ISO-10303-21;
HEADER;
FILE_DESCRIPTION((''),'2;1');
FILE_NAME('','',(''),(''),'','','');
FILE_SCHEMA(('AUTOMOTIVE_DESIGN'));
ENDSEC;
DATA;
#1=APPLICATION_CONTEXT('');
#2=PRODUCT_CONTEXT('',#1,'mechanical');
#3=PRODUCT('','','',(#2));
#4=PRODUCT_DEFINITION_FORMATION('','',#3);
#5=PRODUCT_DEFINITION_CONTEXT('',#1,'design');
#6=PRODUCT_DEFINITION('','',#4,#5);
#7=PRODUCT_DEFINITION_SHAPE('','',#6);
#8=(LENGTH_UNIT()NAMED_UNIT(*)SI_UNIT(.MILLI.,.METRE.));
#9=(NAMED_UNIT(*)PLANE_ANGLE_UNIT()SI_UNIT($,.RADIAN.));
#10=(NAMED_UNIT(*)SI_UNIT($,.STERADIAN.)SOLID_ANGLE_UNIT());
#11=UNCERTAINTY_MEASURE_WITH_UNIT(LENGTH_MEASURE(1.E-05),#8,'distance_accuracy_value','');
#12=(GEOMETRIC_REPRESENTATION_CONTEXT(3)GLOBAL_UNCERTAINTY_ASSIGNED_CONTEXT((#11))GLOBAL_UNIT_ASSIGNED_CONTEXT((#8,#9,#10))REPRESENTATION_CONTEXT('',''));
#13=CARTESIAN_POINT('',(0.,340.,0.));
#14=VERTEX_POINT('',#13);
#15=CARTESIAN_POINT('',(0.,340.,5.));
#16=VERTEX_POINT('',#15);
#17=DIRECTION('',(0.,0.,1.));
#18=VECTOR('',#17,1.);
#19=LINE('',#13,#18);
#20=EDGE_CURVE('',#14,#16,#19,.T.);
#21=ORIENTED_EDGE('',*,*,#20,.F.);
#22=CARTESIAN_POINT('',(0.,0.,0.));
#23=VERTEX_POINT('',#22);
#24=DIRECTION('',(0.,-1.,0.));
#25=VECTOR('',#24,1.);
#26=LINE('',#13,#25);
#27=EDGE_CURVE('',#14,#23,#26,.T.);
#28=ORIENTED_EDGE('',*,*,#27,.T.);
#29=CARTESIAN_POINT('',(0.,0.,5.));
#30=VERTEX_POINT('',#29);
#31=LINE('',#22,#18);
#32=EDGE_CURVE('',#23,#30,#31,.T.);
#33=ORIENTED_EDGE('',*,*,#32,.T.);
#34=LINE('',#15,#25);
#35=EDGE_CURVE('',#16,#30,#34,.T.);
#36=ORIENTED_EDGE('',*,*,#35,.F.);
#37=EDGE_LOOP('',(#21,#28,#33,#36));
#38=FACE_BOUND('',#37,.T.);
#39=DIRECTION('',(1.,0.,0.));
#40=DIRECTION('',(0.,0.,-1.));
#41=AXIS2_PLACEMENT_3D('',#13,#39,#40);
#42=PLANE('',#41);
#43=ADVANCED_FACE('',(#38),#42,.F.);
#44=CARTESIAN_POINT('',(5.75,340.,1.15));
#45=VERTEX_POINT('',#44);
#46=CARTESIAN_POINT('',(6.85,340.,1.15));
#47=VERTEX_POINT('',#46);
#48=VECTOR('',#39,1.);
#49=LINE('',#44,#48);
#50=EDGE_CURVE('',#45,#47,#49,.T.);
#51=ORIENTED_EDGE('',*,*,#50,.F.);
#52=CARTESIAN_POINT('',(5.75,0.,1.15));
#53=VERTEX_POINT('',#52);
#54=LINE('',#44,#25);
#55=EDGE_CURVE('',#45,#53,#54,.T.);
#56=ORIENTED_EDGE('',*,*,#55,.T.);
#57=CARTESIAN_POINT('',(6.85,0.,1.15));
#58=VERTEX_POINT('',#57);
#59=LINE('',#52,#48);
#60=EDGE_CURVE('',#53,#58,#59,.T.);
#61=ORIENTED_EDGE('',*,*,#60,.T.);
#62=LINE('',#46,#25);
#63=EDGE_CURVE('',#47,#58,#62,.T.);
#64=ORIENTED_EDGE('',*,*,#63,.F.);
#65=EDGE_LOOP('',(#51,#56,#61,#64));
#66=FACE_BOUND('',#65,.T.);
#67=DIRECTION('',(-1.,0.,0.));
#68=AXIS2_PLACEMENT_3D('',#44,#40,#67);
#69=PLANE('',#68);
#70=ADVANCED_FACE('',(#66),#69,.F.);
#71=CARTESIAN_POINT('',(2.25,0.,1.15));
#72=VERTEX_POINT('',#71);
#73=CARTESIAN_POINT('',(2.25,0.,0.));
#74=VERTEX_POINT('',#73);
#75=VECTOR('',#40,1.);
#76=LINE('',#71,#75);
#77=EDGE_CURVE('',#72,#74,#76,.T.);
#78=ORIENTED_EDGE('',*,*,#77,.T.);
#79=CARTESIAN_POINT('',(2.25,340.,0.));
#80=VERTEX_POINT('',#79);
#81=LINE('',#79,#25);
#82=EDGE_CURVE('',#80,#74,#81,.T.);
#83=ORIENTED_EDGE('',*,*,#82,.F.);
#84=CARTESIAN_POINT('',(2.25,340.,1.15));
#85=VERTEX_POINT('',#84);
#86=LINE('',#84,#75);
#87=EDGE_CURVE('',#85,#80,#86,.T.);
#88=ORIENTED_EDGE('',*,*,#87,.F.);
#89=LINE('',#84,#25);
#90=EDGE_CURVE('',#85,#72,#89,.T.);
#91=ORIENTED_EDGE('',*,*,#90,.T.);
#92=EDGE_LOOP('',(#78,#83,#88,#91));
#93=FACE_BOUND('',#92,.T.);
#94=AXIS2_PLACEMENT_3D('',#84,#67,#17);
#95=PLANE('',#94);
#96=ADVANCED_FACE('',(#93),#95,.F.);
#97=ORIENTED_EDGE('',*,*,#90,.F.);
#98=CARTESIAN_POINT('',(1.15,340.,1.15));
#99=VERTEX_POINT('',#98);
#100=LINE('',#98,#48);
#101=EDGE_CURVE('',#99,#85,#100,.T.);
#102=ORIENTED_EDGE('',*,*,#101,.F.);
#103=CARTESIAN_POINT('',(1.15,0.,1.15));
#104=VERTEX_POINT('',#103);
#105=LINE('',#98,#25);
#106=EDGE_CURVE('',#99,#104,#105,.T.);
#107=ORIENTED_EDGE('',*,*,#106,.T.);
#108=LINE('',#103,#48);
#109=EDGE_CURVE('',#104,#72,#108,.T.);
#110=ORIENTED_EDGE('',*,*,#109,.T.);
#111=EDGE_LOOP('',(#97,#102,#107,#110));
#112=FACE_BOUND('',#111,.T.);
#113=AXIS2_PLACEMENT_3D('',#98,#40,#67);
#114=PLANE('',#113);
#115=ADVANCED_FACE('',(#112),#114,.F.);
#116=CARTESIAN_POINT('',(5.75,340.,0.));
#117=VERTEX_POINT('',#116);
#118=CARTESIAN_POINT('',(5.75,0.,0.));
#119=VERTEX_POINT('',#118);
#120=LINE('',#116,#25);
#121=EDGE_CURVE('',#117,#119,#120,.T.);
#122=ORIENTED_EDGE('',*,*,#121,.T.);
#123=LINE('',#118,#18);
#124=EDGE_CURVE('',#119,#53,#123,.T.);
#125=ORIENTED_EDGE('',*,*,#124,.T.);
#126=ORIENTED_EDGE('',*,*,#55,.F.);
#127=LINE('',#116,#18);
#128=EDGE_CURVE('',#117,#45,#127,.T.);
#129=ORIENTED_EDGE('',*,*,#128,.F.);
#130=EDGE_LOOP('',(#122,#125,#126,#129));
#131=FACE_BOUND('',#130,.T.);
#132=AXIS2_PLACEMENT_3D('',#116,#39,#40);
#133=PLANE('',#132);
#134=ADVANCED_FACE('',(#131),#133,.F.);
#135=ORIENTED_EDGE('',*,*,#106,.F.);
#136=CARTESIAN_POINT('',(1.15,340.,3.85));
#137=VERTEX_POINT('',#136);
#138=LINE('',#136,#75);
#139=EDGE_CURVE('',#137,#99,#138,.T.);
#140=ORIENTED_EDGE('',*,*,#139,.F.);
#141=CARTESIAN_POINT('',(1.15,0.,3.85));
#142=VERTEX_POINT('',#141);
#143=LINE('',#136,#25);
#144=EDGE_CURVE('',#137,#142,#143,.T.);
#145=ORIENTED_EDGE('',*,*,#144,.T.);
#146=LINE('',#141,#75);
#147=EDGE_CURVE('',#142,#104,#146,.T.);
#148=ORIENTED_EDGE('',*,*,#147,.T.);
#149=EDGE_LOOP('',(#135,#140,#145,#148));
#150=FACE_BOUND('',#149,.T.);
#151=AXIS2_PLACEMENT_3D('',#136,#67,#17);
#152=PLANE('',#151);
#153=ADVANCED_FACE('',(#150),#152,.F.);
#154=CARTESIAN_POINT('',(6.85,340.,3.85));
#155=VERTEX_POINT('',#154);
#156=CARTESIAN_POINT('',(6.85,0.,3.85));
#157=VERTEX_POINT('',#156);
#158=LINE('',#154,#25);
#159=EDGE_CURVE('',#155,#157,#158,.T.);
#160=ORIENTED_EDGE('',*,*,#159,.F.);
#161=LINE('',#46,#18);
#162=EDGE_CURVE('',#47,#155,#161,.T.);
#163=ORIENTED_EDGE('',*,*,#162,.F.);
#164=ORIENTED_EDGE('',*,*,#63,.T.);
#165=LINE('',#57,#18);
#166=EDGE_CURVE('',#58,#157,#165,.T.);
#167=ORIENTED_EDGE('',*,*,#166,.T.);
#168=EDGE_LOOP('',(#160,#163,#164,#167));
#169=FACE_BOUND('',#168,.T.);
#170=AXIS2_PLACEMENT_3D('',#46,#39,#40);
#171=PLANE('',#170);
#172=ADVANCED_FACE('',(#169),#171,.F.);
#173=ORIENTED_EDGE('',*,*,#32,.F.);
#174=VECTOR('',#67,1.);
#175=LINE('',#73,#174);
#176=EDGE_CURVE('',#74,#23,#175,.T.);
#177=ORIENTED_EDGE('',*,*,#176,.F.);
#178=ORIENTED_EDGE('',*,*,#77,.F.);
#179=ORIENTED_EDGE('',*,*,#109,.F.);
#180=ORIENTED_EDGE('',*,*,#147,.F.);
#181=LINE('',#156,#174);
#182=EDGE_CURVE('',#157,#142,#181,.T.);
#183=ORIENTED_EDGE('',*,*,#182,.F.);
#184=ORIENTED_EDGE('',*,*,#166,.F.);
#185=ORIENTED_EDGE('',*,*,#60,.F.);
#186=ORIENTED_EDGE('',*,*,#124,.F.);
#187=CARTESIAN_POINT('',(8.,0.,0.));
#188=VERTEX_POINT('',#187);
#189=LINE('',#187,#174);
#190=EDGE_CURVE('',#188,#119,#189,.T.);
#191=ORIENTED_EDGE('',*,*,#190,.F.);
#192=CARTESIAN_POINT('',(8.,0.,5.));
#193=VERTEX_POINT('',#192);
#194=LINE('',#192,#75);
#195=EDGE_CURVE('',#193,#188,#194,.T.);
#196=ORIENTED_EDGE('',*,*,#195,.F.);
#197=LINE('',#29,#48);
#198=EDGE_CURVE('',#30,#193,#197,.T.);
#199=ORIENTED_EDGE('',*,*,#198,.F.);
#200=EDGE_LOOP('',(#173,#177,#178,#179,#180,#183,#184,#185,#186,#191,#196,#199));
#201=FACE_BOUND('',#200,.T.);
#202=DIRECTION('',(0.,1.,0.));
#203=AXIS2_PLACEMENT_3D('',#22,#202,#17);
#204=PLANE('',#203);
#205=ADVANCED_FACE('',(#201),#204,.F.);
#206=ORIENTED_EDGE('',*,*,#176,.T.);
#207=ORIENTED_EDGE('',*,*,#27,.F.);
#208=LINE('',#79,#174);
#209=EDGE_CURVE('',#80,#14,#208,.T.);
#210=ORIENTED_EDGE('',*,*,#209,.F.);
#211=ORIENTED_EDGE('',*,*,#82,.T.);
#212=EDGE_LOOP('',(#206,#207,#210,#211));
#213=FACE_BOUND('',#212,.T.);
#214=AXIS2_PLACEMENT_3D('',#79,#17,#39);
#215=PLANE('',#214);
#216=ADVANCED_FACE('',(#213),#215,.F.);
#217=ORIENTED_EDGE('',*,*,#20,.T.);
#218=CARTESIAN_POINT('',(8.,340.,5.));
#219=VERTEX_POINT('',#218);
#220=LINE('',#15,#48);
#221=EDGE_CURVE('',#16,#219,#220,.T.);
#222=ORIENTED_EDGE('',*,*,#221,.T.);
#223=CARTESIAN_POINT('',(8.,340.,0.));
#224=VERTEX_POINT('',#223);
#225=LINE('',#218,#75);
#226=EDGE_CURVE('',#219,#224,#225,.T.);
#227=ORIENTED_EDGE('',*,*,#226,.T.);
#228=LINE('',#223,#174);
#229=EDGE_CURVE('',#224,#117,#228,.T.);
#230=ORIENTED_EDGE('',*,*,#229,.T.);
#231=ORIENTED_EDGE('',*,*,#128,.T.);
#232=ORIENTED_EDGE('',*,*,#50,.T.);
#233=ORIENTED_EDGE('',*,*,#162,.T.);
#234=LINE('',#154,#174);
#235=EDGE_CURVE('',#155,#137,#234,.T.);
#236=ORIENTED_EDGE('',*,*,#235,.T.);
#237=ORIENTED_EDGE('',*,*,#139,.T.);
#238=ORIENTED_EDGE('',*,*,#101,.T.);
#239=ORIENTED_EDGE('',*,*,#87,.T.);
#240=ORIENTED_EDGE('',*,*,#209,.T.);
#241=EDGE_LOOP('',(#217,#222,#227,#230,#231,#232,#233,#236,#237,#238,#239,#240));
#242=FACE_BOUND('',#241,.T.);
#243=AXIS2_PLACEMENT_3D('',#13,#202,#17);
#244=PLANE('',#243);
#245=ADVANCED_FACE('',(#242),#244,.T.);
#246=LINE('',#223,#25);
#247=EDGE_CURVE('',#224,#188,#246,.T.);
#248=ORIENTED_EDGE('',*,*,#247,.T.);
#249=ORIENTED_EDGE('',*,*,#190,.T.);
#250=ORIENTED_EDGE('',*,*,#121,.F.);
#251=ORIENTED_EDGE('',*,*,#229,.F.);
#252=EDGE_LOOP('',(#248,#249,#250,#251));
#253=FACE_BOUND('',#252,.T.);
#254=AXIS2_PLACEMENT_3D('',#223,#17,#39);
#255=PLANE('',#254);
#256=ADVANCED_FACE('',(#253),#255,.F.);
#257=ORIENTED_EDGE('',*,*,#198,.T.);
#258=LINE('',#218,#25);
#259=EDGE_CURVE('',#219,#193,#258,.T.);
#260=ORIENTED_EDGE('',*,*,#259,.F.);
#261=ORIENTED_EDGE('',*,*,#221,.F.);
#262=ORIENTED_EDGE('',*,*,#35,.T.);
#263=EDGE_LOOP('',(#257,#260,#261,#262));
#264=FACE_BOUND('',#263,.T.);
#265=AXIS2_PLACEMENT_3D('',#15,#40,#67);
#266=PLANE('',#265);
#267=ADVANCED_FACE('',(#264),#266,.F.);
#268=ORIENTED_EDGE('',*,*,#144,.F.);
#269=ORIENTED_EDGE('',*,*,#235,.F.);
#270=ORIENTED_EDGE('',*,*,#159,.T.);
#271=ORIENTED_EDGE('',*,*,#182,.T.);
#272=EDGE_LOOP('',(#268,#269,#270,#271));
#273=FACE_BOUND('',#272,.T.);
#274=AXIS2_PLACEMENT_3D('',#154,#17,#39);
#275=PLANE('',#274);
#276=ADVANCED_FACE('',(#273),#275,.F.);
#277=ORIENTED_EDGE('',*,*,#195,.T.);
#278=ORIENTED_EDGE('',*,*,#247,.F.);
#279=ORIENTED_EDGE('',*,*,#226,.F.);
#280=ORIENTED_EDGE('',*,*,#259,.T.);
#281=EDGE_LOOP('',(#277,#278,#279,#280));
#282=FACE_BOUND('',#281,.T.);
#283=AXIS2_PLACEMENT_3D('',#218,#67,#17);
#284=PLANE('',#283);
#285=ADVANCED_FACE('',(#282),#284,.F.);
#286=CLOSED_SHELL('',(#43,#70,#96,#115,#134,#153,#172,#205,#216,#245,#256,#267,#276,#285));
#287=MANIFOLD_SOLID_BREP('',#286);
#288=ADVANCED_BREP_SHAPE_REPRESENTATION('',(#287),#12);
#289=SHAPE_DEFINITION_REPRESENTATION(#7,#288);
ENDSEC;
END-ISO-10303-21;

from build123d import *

# Parameters (mm, degrees)
EXTRUDE_1_DEPTH = 340


with BuildPart() as part:
    # 草图1 → 凸台-拉伸1 (new body)
    with BuildSketch(Plane(origin=(0, 0, 0), x_dir=(1, 0, 0), z_dir=(0, 1, 0))):
        Polygon((0, -5), (8, -5), (8, 0), (5.75, 0), (5.75, -1.15), (6.85, -1.15), (6.85, -3.85), (1.15, -3.85), (1.15, -1.15), (2.25, -1.15), (2.25, 0), (0, 0), align=None)
    extrude(amount=EXTRUDE_1_DEPTH)


solid = part.part
